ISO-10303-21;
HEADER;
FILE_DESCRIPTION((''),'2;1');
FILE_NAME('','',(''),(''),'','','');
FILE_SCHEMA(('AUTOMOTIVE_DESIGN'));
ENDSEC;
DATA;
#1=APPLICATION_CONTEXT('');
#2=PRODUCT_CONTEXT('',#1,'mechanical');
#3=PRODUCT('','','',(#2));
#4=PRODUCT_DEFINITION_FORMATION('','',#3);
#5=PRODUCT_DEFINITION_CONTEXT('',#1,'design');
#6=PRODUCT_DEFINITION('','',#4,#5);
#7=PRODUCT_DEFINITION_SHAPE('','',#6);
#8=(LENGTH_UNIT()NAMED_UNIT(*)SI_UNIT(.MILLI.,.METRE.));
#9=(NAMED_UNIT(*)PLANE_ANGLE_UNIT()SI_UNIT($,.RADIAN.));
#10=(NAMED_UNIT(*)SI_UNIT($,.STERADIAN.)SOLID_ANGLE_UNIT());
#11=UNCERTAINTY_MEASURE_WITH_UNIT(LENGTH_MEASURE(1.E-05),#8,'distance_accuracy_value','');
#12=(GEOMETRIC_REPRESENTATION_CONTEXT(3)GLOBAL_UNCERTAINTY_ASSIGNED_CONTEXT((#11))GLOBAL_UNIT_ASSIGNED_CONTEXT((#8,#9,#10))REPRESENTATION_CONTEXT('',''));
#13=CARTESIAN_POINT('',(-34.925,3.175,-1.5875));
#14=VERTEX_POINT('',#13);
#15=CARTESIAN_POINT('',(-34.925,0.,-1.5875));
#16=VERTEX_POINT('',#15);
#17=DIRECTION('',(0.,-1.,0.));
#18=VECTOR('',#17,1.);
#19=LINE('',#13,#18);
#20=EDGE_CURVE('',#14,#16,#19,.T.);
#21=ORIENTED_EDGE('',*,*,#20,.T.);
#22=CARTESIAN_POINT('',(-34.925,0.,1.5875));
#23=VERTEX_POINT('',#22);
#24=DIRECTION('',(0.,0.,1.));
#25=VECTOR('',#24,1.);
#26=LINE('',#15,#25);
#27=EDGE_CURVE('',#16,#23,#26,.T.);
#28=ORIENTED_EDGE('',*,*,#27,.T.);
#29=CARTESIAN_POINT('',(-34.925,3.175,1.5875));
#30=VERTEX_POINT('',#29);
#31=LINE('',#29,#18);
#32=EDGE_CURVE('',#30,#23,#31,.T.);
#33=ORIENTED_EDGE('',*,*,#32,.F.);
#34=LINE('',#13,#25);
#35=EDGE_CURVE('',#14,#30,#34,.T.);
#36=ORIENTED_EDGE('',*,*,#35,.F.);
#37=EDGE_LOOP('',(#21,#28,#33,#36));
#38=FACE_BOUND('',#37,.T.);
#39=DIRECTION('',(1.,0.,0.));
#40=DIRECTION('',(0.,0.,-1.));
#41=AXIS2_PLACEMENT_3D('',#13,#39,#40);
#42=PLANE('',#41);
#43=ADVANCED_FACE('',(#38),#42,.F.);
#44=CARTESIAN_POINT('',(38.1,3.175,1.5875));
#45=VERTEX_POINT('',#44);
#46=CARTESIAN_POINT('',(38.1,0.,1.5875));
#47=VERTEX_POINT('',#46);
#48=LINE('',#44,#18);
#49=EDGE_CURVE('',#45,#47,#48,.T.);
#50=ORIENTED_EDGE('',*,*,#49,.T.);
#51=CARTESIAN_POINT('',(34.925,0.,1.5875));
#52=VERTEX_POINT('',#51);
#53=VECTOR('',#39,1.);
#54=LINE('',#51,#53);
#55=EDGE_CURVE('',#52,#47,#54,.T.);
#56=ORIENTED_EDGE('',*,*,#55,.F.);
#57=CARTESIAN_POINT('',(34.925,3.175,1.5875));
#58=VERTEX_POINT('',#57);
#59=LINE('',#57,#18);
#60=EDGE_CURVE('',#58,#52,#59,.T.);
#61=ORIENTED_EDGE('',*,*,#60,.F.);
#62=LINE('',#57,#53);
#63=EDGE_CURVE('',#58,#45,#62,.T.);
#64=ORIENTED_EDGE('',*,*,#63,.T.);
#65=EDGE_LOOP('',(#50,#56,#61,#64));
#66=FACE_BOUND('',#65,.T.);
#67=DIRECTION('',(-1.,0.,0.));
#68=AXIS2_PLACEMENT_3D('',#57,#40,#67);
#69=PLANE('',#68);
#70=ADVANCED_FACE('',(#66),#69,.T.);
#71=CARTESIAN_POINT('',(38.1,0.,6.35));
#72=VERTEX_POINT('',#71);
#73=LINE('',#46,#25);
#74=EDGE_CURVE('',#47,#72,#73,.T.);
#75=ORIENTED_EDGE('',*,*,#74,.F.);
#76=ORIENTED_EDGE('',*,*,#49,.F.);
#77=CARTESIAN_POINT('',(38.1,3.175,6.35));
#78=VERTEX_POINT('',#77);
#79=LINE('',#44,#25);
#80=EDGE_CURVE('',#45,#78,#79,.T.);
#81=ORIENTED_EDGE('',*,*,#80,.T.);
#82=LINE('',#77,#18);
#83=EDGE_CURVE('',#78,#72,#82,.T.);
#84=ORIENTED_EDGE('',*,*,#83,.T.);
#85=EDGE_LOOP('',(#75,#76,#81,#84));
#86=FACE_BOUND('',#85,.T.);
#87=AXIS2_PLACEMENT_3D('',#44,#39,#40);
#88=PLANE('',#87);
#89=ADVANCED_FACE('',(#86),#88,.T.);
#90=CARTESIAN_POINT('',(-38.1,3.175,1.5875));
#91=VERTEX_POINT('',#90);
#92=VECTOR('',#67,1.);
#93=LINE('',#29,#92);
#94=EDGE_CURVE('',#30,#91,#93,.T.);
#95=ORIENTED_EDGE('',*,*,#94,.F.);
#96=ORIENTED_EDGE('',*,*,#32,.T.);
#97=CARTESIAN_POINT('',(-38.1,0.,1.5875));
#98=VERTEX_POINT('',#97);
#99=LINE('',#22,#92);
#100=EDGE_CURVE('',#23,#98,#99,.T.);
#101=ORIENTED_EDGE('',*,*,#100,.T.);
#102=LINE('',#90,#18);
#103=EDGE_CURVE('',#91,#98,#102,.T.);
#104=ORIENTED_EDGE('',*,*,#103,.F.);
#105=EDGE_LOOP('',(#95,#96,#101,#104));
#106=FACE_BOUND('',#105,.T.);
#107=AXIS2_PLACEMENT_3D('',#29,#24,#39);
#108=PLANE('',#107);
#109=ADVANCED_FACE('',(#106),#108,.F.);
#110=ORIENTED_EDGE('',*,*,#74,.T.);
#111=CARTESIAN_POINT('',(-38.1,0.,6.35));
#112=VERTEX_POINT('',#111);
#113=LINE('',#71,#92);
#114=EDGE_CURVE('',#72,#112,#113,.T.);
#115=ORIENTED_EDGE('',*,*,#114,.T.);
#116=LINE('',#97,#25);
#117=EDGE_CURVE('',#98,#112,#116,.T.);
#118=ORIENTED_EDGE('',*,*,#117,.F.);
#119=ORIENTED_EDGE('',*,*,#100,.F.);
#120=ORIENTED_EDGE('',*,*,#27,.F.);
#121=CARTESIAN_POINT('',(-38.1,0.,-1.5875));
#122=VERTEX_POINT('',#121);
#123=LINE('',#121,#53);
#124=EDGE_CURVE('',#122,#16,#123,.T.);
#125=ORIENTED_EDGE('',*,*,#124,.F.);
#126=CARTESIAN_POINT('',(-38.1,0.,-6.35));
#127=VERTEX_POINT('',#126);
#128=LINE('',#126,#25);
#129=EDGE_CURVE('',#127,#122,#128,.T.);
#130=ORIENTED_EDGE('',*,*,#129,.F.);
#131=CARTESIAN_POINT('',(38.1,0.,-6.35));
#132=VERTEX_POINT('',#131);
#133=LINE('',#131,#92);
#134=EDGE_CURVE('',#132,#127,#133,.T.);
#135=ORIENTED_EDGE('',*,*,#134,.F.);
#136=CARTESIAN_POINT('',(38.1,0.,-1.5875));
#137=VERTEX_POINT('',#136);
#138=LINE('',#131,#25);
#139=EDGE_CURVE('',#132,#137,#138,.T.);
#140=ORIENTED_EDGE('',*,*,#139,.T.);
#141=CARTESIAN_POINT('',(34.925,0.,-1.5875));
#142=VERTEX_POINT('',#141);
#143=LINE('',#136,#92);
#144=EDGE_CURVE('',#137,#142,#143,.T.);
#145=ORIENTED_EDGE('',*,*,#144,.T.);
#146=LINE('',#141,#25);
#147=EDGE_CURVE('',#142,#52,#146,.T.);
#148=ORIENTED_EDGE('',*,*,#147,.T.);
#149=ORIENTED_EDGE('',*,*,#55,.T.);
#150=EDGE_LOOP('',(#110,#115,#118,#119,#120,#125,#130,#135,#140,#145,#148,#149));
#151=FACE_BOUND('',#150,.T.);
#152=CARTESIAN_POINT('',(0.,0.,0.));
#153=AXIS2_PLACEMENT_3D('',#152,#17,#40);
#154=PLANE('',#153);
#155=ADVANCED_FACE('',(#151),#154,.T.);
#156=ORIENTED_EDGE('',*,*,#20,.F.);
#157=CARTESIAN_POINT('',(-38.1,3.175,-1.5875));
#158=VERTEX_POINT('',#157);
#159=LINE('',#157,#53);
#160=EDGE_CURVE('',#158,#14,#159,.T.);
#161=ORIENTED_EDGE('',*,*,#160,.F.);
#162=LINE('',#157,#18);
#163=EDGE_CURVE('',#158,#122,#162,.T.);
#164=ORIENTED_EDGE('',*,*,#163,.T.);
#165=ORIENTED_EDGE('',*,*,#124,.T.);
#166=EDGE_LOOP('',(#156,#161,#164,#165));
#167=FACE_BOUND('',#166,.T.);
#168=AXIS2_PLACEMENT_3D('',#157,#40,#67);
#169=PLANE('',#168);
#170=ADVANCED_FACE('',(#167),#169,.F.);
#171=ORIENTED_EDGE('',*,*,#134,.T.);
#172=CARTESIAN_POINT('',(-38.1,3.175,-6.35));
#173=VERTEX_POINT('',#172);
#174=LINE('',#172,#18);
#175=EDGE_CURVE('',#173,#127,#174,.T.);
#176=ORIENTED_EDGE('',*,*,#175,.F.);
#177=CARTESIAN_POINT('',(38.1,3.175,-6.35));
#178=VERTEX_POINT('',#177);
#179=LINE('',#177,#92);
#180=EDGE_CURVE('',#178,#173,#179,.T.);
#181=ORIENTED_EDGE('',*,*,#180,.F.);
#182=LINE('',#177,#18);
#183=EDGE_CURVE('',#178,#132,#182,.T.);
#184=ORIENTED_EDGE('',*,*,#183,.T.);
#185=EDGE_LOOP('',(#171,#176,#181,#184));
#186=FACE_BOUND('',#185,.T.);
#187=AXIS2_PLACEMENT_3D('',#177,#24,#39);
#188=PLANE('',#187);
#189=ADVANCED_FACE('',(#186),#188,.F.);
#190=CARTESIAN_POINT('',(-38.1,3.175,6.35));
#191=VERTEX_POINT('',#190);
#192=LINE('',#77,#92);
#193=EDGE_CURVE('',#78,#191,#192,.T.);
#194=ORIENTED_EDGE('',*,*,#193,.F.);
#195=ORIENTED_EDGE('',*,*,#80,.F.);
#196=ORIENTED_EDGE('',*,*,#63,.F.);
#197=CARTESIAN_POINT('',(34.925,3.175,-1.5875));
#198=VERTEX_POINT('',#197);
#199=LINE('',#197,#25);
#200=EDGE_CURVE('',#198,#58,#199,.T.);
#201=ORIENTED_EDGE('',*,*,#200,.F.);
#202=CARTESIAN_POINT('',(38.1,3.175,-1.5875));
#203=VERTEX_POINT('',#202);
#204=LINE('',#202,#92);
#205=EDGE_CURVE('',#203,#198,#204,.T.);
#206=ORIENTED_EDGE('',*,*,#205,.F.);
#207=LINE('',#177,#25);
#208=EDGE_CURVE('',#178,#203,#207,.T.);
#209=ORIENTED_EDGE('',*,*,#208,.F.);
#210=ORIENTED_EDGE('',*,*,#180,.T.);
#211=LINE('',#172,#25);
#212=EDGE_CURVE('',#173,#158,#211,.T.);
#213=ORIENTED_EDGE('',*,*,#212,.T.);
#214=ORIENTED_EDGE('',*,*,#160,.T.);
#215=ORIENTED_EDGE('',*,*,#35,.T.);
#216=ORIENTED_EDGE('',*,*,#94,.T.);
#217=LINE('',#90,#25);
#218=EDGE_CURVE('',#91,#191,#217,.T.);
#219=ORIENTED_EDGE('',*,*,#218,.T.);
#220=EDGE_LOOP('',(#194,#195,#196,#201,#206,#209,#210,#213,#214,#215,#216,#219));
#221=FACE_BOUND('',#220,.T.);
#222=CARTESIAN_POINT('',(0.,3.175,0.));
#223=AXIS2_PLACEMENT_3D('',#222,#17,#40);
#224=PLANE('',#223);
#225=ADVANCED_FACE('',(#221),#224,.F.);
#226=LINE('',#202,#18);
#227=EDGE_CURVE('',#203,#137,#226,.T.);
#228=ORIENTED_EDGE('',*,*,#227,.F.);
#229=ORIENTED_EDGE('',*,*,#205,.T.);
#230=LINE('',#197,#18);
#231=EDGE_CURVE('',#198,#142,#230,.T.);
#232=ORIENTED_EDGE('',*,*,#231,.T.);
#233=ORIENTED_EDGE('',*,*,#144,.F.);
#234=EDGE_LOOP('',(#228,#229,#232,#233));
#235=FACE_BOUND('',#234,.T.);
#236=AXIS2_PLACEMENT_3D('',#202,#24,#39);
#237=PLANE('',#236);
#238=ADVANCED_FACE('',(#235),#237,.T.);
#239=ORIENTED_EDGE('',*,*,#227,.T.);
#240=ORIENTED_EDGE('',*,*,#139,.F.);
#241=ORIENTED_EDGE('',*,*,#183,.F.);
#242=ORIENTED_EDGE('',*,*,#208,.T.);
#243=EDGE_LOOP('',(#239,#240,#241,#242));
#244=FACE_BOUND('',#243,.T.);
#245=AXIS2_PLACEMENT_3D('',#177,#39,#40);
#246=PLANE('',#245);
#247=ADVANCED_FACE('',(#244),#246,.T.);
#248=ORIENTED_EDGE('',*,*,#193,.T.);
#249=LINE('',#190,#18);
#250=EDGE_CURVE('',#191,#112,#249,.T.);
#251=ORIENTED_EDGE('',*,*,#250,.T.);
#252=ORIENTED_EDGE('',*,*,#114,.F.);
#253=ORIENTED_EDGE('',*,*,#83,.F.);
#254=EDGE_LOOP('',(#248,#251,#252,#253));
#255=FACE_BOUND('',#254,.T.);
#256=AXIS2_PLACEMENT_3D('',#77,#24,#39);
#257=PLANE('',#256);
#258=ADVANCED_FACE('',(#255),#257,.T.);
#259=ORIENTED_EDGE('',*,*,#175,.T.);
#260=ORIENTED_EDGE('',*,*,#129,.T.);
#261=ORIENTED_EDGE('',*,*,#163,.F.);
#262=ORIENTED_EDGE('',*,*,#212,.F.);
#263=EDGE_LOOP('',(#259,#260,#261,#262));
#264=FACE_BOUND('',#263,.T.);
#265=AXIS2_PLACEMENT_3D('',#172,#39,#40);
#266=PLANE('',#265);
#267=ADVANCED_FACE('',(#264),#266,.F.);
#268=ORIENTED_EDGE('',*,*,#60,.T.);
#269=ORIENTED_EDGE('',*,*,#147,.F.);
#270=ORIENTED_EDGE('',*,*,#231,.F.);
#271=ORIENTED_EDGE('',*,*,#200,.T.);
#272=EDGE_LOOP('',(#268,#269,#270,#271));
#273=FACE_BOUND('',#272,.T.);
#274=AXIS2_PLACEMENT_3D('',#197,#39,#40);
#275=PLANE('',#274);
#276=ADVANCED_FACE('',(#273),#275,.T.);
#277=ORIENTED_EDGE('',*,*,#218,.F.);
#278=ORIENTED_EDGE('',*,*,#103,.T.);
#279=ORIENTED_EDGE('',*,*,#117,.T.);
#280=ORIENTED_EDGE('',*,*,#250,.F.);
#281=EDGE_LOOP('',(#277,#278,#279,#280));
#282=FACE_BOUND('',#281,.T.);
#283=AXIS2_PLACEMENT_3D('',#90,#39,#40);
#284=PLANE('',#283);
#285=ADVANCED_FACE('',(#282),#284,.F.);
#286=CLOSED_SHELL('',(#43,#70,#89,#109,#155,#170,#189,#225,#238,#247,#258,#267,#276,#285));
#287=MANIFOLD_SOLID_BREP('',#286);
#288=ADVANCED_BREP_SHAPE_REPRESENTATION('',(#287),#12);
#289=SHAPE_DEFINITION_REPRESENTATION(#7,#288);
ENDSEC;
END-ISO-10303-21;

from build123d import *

# Parameters (mm, degrees)
BOSS_EXTRUDE1_DEPTH = 3.175


with BuildPart() as part:
    # Sketch1 → Boss-Extrude1 (new body)
    with BuildSketch(Plane(origin=(0, 0, 0), x_dir=(1, 0, 0), z_dir=(0, 1, 0))):
        Polygon((-38.1, 6.35), (-38.1, 1.5875), (-34.925, 1.5875), (-34.925, -1.5875), (-38.1, -1.5875), (-38.1, -6.35), (38.1, -6.35), (38.1, -1.5875), (34.925, -1.5875), (34.925, 1.5875), (38.1, 1.5875), (38.1, 6.35), align=None)
    extrude(amount=BOSS_EXTRUDE1_DEPTH)


solid = part.part
